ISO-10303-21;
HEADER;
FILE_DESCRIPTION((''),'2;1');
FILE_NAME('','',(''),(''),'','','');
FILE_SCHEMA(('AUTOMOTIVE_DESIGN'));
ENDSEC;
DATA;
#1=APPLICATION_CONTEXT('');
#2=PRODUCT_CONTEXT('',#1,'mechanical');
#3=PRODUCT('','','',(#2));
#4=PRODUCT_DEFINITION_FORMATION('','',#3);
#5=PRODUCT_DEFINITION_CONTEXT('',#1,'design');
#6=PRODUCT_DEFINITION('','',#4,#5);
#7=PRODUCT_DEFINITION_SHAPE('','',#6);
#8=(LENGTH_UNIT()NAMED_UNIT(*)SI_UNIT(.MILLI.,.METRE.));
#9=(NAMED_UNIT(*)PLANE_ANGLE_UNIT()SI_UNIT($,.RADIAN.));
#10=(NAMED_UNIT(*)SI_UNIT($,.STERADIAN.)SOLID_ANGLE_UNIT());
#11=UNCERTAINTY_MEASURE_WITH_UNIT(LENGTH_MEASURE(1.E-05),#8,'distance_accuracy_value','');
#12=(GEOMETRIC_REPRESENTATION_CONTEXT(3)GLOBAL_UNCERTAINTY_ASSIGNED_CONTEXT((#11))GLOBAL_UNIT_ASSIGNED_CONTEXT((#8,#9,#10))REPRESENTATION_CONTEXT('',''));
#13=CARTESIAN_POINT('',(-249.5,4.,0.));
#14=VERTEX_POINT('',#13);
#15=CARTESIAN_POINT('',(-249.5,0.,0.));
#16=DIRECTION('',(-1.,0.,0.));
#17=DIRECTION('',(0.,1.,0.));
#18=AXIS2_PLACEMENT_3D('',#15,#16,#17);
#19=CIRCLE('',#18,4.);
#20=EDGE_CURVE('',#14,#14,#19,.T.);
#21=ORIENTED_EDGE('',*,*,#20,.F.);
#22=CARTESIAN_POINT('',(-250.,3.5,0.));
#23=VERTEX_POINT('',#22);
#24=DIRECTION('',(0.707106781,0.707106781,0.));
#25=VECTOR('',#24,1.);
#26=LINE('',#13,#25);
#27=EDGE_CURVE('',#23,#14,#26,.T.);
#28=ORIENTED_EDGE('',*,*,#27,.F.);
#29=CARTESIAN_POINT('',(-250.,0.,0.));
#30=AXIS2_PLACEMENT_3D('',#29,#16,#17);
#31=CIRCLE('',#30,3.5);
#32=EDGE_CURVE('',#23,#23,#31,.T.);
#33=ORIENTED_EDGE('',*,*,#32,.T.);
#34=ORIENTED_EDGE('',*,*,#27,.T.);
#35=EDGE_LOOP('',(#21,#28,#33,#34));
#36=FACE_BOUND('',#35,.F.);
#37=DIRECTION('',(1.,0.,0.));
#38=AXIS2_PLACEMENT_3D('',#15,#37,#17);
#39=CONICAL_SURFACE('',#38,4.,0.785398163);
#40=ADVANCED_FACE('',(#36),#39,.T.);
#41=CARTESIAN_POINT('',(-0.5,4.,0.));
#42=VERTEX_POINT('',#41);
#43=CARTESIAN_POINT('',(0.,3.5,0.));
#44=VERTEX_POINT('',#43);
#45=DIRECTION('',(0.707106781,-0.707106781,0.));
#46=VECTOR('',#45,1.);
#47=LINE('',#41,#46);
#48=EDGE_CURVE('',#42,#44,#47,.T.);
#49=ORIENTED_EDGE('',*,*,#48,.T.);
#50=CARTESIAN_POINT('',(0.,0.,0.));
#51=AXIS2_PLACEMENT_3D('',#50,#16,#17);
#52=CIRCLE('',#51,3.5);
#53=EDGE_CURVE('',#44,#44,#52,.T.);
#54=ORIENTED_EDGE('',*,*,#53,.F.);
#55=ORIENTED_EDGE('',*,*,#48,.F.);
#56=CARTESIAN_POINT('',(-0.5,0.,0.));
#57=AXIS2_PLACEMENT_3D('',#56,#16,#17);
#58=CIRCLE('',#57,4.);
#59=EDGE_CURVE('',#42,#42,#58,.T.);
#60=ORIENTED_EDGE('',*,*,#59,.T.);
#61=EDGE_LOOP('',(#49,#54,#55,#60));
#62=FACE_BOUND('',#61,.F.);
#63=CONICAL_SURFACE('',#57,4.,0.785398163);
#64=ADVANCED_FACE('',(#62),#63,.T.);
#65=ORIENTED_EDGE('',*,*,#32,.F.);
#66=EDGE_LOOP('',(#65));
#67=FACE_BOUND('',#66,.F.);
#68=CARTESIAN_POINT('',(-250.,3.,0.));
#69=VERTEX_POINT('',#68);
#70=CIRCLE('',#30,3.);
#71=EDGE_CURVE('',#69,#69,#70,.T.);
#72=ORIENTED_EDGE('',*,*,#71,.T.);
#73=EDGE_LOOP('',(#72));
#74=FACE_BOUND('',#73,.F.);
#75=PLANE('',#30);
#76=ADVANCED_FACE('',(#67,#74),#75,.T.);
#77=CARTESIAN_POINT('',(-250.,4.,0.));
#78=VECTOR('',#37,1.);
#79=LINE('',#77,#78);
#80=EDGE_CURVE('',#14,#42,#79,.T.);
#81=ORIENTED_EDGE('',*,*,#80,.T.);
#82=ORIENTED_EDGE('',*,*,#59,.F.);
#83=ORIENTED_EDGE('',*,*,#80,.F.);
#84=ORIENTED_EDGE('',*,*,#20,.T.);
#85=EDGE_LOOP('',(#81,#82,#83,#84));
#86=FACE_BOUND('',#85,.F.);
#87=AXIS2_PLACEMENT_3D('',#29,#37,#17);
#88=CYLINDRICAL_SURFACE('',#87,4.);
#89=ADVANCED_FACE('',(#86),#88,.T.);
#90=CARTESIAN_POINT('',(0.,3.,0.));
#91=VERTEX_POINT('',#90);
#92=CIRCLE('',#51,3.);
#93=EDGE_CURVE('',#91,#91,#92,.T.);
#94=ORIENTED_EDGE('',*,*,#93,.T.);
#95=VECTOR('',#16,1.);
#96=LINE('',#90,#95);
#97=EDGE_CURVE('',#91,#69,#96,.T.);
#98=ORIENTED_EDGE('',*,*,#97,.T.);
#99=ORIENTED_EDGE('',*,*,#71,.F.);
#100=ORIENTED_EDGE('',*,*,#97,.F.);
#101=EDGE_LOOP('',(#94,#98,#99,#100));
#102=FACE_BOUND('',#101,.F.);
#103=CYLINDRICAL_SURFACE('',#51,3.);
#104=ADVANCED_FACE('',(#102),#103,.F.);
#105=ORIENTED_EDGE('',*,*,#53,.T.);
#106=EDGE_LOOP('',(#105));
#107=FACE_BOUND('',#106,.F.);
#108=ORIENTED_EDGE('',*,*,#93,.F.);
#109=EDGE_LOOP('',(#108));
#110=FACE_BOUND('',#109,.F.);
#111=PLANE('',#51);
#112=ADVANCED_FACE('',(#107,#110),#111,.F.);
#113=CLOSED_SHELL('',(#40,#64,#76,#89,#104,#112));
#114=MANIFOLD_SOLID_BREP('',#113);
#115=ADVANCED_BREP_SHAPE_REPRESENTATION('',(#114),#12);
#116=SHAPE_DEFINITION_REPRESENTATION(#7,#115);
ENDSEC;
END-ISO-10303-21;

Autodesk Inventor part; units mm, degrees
ref_plane "YZ Plane" through (0, 0, 0) normal (1, 0, 0) x (0, 1, 0)
ref_plane "XZ Plane" through (0, 0, 0) normal (0, 1, 0) x (-1, 0, 0)
ref_plane "XY Plane" through (0, 0, 0) normal (0, 0, 1) x (1, 0, 0)
sketch "Sketch1" plane through (0, 0, 0) normal (0, 0, 1) x (1, 0, 0)
  line L0 (0, 3) -> (-250, 3)
  line L1 (-250, 3) -> (-250, 4)
  line L2 (-250, 4) -> (0, 4)
  line L3 (0, 4) -> (0, 3)
  line L4 (0, 3) -> (0, 0) construction
  line L5 (0, 0) -> (-250, 0) construction
  line L6 (-250, 0) -> (-250, 3) construction
  dimension "d0" = 3
  dimension "d1" = 4
  dimension "d2" = 250
revolve "Revolution1" add sketch "Sketch1" angle 360 about axis through (0, 0, 0) along (-1, 0, 0)
chamfer "Chamfer1" distance 0.5 angle 45 2 edges at (0, -4, 0) (-250, -4, 0)
properties part number "CF Tube 8x10x250"
